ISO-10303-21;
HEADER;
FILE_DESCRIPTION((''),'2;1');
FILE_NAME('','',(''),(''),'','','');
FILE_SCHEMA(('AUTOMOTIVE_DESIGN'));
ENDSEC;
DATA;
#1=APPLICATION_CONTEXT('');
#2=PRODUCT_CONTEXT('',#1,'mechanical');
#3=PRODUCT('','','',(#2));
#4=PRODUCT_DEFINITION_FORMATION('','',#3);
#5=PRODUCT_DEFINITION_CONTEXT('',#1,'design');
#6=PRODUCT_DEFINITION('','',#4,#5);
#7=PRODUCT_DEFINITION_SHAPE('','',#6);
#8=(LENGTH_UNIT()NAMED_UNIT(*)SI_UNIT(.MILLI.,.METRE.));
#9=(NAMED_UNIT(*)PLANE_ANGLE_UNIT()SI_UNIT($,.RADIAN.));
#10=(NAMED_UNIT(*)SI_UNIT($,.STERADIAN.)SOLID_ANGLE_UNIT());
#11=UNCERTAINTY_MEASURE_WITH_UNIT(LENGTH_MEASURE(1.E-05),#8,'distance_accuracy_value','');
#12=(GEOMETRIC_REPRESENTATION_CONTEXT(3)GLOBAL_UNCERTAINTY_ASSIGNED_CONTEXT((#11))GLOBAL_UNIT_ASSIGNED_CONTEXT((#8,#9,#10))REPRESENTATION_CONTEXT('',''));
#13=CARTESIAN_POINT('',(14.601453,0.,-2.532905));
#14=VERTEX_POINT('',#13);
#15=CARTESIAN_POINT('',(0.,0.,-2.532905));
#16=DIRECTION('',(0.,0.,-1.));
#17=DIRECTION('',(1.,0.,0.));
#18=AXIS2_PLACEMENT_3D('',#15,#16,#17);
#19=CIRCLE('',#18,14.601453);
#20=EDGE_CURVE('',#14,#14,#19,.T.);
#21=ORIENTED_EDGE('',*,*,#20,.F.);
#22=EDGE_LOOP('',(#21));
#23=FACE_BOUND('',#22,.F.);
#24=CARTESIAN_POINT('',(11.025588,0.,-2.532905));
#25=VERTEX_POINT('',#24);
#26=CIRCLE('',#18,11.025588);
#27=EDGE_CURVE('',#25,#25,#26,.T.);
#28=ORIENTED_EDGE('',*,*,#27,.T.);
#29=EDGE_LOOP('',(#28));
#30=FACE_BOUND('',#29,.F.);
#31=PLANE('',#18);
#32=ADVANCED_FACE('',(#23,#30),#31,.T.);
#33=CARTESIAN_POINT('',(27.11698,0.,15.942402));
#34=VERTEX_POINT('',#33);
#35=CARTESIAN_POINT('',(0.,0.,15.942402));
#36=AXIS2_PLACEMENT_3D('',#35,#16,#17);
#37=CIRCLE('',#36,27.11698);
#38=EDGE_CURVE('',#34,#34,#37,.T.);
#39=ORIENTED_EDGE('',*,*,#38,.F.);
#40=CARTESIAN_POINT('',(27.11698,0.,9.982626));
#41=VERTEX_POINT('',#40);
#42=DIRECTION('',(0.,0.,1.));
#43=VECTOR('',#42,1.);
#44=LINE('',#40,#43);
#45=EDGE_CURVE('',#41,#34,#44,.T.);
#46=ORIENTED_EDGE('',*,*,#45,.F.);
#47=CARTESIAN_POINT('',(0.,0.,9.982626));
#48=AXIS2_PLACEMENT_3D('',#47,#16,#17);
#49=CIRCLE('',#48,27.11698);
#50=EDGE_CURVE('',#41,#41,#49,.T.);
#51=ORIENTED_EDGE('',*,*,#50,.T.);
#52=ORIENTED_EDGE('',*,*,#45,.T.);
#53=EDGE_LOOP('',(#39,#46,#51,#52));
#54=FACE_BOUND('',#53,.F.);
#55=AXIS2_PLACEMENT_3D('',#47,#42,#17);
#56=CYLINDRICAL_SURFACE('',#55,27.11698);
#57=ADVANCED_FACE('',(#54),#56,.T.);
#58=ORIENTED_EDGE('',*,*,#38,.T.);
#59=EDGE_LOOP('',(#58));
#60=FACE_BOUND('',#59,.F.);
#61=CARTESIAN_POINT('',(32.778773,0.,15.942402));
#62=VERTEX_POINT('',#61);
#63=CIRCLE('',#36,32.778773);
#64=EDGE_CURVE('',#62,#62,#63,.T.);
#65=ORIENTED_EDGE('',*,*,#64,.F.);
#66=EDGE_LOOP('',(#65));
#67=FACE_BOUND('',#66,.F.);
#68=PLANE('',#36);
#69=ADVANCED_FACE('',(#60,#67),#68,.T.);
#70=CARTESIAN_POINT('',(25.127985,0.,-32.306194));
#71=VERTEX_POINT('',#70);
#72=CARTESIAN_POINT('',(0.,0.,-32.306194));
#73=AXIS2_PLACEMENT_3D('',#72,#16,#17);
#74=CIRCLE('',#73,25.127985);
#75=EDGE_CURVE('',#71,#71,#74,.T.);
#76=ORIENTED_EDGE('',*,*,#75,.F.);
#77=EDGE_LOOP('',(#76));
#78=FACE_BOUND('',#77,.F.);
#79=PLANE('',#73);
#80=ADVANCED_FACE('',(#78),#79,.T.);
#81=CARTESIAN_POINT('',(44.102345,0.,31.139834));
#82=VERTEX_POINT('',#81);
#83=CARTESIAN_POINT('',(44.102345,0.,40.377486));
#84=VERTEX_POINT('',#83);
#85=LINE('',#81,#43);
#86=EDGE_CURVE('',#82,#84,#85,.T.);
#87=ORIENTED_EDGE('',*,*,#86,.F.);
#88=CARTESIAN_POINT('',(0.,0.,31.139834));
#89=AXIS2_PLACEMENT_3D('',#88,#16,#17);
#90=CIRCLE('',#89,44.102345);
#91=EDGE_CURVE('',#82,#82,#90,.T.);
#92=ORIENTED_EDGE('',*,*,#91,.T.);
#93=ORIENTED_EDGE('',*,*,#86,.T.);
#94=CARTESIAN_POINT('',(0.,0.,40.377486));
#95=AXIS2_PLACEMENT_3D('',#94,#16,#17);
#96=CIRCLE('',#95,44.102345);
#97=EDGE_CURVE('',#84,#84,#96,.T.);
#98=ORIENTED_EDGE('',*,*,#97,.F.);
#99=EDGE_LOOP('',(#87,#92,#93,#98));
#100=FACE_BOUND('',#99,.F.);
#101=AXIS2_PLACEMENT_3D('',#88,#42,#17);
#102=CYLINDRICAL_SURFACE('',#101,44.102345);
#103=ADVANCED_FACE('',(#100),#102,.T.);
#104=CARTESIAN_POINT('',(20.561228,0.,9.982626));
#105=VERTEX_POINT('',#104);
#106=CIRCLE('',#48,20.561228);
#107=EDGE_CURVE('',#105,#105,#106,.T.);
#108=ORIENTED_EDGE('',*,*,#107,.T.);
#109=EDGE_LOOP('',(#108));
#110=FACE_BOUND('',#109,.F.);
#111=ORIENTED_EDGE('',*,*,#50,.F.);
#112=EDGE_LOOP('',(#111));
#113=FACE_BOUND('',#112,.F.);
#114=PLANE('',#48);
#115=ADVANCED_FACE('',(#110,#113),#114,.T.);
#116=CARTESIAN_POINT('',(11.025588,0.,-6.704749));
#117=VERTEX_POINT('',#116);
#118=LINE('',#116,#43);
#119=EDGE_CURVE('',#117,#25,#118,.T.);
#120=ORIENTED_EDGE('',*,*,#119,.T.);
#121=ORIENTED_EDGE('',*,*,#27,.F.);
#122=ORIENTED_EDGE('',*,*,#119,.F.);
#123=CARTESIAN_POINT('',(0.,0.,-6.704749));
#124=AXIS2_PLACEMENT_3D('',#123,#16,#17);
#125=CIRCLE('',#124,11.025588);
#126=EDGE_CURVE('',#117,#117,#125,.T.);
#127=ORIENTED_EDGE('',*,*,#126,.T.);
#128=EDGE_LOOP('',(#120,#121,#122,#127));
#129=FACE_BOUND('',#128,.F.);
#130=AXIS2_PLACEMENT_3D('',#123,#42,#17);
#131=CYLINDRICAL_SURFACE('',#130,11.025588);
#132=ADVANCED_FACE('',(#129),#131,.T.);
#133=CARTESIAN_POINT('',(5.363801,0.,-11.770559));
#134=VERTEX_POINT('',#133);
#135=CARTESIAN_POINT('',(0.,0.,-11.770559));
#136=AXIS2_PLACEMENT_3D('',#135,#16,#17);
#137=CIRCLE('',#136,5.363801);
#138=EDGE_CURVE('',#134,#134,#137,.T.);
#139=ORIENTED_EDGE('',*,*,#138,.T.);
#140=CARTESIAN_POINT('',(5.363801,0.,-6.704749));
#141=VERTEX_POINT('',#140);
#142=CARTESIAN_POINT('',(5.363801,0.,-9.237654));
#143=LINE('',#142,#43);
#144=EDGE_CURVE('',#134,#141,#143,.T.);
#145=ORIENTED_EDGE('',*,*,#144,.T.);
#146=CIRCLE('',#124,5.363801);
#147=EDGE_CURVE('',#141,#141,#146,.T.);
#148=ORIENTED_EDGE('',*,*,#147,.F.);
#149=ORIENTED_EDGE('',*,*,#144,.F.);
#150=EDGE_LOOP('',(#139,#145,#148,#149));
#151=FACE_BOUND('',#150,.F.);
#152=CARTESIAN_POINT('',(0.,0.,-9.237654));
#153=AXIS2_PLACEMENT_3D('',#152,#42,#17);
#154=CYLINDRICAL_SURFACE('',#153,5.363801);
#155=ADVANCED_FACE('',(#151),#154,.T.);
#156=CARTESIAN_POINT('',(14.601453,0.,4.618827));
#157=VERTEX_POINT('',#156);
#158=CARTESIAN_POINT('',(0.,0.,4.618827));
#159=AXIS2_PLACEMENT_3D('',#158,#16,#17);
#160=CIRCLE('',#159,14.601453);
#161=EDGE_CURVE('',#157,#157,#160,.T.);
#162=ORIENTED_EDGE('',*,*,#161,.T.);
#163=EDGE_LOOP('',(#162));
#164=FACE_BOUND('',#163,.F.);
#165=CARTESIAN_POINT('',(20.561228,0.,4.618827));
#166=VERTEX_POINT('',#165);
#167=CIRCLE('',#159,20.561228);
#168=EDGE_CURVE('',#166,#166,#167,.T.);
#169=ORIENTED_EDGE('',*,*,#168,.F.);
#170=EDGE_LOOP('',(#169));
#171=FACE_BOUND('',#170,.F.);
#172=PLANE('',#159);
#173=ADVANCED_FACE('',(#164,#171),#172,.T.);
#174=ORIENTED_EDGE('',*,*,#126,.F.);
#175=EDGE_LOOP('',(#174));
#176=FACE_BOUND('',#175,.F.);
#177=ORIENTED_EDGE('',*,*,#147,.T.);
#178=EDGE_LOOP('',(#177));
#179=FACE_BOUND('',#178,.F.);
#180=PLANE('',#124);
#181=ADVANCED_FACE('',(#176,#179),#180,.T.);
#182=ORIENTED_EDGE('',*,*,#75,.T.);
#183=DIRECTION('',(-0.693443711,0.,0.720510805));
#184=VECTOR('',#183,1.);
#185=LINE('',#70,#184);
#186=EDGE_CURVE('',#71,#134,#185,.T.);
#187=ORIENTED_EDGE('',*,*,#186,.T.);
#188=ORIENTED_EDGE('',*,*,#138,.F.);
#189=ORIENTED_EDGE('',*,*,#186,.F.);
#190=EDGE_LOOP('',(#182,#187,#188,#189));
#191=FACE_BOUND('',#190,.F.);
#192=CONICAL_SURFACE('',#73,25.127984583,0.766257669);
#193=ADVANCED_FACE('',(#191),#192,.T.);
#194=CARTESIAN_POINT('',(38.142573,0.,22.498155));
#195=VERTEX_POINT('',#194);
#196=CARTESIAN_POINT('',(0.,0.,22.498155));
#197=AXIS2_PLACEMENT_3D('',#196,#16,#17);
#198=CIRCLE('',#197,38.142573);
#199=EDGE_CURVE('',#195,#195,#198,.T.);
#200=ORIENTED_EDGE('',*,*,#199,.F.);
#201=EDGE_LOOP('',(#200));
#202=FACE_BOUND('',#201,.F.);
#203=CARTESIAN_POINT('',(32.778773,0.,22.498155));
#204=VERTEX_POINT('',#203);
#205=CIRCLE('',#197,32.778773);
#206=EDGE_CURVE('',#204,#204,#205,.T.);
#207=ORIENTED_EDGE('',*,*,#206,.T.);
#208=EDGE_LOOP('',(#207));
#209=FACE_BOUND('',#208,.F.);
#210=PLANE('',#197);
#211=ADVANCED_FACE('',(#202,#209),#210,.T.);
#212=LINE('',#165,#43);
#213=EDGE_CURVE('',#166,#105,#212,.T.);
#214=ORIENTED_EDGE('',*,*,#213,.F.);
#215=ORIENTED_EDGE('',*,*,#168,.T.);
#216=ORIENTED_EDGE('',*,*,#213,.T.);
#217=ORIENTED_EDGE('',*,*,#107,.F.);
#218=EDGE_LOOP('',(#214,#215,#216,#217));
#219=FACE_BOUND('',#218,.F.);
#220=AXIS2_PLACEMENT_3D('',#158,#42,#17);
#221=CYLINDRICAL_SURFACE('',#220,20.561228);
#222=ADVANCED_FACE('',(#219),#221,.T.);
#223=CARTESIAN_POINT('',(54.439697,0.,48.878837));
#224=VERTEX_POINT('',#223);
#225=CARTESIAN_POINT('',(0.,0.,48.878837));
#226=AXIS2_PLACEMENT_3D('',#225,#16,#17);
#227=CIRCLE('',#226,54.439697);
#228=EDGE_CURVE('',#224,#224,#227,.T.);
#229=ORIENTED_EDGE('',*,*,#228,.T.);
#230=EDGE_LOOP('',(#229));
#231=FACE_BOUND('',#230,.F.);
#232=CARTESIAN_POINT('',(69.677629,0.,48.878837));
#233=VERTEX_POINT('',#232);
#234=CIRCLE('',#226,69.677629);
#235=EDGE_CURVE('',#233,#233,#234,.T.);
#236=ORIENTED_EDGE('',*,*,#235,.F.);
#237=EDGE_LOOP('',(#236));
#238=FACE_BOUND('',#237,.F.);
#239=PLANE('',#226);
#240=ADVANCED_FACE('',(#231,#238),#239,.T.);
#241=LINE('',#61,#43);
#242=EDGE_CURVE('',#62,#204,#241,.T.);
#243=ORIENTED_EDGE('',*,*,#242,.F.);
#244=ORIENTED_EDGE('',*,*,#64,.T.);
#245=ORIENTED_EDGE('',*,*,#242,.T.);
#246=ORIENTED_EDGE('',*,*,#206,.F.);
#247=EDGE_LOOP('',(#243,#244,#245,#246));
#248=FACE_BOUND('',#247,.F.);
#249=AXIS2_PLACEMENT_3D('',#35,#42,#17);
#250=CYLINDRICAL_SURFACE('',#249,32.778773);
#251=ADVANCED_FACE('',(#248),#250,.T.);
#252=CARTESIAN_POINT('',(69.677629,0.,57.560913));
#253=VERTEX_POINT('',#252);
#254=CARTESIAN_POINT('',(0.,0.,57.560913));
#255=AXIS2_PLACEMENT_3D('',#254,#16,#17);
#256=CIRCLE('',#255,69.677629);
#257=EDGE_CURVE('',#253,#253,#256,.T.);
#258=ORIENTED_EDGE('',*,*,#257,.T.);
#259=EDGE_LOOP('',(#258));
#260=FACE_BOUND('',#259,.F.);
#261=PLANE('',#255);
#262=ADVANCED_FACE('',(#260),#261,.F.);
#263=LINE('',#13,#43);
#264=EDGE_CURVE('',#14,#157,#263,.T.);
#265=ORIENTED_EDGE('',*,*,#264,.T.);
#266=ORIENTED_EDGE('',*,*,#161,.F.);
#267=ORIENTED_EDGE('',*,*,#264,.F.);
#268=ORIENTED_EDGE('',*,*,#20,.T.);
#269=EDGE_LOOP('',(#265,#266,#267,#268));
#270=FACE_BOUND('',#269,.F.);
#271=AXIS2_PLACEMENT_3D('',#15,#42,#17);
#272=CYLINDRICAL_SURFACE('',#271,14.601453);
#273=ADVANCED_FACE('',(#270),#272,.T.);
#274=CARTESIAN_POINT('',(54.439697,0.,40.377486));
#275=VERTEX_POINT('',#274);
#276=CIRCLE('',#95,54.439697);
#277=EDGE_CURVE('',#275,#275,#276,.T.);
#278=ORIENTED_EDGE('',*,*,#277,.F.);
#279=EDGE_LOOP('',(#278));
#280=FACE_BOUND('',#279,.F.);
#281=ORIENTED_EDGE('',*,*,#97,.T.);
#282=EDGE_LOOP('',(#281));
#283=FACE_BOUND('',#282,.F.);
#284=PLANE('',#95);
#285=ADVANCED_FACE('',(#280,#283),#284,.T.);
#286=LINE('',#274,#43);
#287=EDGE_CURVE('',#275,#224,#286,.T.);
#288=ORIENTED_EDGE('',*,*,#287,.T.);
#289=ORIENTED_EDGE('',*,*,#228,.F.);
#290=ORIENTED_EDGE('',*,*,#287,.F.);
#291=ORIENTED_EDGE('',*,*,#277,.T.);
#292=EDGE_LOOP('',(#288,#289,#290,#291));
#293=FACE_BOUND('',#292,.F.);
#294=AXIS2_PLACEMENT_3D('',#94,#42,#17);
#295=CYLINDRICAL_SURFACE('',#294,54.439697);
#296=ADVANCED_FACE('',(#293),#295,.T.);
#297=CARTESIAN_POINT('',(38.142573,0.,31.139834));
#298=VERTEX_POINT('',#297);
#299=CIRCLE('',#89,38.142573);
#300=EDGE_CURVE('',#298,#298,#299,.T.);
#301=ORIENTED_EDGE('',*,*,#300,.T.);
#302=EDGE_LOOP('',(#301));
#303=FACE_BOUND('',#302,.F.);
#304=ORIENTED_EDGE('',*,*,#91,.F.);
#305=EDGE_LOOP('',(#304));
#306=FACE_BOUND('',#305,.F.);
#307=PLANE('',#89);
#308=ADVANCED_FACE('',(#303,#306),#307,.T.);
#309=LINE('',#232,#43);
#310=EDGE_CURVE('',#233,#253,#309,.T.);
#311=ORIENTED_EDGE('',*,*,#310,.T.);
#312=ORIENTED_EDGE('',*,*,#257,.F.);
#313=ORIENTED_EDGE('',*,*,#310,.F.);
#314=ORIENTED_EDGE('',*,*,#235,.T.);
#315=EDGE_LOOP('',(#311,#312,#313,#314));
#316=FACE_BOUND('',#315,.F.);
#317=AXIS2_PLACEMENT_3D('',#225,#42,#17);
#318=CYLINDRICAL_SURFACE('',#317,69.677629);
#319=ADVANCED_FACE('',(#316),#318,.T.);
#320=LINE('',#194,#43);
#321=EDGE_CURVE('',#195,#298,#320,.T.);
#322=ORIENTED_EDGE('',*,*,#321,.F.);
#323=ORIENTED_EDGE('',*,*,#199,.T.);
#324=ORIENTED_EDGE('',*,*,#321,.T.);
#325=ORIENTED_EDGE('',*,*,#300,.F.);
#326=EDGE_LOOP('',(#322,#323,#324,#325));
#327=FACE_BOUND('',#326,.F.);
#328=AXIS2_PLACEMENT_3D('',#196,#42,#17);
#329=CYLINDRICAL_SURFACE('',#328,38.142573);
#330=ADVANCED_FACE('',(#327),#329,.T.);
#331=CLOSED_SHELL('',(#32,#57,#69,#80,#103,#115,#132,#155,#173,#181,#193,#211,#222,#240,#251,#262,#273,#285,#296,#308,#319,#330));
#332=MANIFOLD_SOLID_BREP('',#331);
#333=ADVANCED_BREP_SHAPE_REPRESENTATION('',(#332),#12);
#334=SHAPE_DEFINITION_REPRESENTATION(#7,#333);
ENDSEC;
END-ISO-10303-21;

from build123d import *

# Parameters (mm, degrees)
F0_W = 5.3638014942
F0_H = 5.0658094697


with BuildPart() as f1:
    # F0 (on Front) → F1 (revolve)
    with BuildSketch(Plane.XZ):
        Polygon((0, 57.5609132648), (0, 48.8788373768), (54.4396974146, 48.8788373768), (69.6776285768, 48.8788373768), (69.6776285768, 57.5609132648), align=None)
        Polygon((0, 48.8788373768), (0, 40.3774864972), (44.102344662, 40.3774864972), (54.4396974146, 40.3774864972), (54.4396974146, 48.8788373768), align=None)
        Polygon((44.102344662, 40.3774864972), (0, 40.3774864972), (0, 31.1398338526), (38.1425730884, 31.1398338526), (44.102344662, 31.1398338526), align=None)
        Polygon((38.1425730884, 31.1398338526), (0, 31.1398338526), (0, 22.4981550127), (32.7787734568, 22.4981550127), (38.1425730884, 22.4981550127), align=None)
        Polygon((32.7787734568, 22.4981550127), (0, 22.4981550127), (0, 15.942402184), (27.1169804037, 15.942402184), (32.7787734568, 15.942402184), align=None)
        Polygon((27.1169804037, 15.942402184), (0, 15.942402184), (0, 9.9826259539), (20.5612275749, 9.9826259539), (27.1169804037, 9.9826259539), align=None)
        Polygon((20.5612275749, 9.9826259539), (0, 9.9826259539), (0, 4.6188267879), (14.6014532074, 4.6188267879), (20.5612275749, 4.6188267879), align=None)
        Polygon((14.6014532074, 4.6188267879), (0, 4.6188267879), (0, -2.5329052005), (11.0255880281, -2.5329052005), (14.6014532074, -2.5329052005), align=None)
        Polygon((11.0255880281, -2.5329052005), (0, -2.5329052005), (0, -6.7047490738), (5.3638014942, -6.7047490738), (11.0255880281, -6.7047490738), align=None)
        with Locations((2.6819007471, -9.2376538087)):
            Rectangle(F0_W, F0_H)
        Polygon((5.3638014942, -11.7705585435), (0, -11.7705585435), (0, -32.3061943054), (12.5639922917, -32.3061943054), align=None)
        Polygon((25.1279845834, -32.3061943054), (5.3638014942, -11.7705585435), (12.5639922917, -32.3061943054), align=None)
    revolve(axis=Axis((0, 0, 7.0027373731), (0, 0, -1)))


solid = f1.part
